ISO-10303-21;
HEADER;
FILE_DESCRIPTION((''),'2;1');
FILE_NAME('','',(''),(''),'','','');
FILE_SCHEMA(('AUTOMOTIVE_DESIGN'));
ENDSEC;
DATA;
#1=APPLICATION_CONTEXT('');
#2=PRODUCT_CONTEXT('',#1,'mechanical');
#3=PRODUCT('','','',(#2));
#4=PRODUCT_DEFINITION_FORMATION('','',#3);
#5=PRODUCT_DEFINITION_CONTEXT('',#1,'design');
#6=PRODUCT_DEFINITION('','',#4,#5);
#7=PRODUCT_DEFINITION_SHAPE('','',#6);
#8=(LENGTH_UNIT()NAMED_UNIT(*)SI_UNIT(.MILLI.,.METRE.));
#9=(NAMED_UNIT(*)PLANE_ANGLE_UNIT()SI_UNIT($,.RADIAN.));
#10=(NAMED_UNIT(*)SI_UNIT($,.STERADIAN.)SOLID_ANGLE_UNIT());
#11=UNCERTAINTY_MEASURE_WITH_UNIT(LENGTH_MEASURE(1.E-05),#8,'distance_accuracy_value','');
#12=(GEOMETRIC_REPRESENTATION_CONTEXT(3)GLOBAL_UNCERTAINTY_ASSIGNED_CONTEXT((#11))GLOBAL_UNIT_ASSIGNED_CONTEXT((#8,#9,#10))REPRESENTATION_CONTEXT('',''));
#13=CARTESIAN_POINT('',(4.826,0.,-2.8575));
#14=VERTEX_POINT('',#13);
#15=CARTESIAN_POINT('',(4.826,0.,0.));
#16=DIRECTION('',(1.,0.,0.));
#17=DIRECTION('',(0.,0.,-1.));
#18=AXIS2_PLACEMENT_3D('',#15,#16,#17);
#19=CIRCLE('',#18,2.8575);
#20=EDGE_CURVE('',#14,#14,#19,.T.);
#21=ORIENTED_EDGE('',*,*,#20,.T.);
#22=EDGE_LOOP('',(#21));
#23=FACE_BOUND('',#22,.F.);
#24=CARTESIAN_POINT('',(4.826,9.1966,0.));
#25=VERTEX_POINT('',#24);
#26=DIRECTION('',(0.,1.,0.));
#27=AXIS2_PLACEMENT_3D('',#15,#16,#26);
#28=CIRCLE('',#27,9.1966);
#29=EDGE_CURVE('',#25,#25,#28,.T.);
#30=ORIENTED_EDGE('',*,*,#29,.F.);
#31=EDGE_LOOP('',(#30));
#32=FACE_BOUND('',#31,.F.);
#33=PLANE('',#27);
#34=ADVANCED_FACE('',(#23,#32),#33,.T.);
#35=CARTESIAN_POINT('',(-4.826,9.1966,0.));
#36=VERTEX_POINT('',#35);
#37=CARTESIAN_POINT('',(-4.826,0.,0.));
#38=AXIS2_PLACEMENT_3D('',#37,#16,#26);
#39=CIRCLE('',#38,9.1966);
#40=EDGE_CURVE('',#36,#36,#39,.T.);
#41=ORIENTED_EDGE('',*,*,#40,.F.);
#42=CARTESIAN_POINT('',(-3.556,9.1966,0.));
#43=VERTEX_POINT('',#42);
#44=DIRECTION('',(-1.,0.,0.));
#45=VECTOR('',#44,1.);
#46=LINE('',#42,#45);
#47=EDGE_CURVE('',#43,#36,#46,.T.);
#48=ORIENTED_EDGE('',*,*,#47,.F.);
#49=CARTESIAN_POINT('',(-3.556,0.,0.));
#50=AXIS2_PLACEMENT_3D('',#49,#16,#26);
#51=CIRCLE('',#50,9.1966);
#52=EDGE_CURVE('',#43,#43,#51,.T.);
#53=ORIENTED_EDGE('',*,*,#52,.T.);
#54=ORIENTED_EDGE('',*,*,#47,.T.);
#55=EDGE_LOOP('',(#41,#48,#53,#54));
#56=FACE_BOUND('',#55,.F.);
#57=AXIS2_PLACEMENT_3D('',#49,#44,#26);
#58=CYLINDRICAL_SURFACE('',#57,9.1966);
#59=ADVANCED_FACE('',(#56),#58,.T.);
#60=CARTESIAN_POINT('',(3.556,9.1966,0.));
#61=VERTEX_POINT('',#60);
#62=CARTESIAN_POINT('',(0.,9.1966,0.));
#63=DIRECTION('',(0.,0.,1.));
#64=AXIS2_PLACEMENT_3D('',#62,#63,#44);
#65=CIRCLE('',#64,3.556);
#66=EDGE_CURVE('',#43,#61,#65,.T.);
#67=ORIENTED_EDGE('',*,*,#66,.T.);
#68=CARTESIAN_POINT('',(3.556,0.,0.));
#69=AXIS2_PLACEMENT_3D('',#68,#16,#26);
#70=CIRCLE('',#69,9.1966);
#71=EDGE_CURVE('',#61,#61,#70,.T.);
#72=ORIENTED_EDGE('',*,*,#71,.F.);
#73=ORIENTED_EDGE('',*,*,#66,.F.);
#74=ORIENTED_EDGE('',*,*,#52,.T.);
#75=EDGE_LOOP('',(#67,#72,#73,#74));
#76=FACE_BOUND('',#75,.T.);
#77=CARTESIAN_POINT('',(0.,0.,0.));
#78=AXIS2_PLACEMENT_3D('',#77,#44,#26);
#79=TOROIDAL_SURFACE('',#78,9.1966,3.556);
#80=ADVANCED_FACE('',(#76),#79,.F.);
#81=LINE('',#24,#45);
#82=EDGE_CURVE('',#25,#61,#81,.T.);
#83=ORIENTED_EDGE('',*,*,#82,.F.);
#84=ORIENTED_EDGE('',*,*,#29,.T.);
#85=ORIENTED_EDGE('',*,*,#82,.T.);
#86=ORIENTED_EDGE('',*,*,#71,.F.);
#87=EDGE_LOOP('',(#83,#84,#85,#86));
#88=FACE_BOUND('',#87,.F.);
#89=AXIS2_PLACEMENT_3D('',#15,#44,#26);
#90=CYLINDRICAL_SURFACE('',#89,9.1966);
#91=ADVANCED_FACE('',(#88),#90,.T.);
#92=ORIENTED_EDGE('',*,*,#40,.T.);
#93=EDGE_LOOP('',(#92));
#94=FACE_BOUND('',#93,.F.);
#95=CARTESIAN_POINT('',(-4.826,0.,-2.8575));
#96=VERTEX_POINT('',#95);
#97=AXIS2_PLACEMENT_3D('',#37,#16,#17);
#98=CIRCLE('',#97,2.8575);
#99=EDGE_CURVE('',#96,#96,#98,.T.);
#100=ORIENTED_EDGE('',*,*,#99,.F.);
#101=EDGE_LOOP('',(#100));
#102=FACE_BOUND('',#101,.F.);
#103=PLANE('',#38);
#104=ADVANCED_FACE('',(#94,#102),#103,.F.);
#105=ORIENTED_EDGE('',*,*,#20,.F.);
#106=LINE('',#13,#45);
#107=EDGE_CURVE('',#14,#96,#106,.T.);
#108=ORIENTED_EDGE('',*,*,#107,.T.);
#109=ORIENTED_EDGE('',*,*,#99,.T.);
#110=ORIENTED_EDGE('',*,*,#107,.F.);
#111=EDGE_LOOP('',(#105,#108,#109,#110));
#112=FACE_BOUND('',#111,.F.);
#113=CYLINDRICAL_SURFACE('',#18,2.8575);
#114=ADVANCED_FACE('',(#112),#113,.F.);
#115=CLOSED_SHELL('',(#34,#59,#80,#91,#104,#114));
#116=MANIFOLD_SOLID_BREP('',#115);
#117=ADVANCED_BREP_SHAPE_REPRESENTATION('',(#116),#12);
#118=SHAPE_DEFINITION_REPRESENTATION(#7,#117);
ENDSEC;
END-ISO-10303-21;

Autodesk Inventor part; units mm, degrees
ref_plane "YZ Plane" through (0, 0, 0) normal (1, 0, 0) x (0, 1, 0)
ref_plane "XZ Plane" through (0, 0, 0) normal (0, 1, 0) x (-1, 0, 0)
ref_plane "XY Plane" through (0, 0, 0) normal (0, 0, 1) x (1, 0, 0)
sketch "Sketch1" plane through (0, 0, 0) normal (0, 0, 1) x (1, 0, 0)
  line L0 (0, 0) -> (0, 9.1966)
  arc A0 (-3.556, 9.1966) -> (3.556, 9.1966) centre (0, 9.1966) ccw
  line L1 (-3.556, 9.1966) -> (-3.556, 1.5328)
  line L2 (3.556, 1.5328) -> (3.556, 9.1966)
  line L3 (-3.556, 1.5328) -> (3.556, 1.5328)
  line L4 (-3.556, 1.5328) -> (-4.826, 1.5328)
  line L5 (-4.826, 1.5328) -> (3.556, 1.5328)
  line L6 (3.556, 1.5328) -> (4.826, 1.5328)
  line L7 (4.826, 1.5328) -> (4.826, 9.1966)
  line L8 (4.826, 9.1966) -> (3.556, 9.1966)
  line L9 (-3.556, 9.1966) -> (-4.826, 9.1966)
  line L10 (-4.826, 9.1966) -> (-4.826, 1.5328)
  line L11 (-8.7255, 0) -> (10.8498, 0)
revolve "Revolution1" add sketch "Sketch1" angle 360 about axis through (-8.7255, 0, 0) along (1, 0, 0)
sketch "Sketch2" plane through (4.826, 0, 0) normal (1, 0, 0) x (0, 0, -1)
  circle A0 centre (0, 0) radius 2.8575
  dimension "d10" = 5.715
extrude "Extrusion1" cut sketch "Sketch2" against normal through all
properties part number "wheel"
